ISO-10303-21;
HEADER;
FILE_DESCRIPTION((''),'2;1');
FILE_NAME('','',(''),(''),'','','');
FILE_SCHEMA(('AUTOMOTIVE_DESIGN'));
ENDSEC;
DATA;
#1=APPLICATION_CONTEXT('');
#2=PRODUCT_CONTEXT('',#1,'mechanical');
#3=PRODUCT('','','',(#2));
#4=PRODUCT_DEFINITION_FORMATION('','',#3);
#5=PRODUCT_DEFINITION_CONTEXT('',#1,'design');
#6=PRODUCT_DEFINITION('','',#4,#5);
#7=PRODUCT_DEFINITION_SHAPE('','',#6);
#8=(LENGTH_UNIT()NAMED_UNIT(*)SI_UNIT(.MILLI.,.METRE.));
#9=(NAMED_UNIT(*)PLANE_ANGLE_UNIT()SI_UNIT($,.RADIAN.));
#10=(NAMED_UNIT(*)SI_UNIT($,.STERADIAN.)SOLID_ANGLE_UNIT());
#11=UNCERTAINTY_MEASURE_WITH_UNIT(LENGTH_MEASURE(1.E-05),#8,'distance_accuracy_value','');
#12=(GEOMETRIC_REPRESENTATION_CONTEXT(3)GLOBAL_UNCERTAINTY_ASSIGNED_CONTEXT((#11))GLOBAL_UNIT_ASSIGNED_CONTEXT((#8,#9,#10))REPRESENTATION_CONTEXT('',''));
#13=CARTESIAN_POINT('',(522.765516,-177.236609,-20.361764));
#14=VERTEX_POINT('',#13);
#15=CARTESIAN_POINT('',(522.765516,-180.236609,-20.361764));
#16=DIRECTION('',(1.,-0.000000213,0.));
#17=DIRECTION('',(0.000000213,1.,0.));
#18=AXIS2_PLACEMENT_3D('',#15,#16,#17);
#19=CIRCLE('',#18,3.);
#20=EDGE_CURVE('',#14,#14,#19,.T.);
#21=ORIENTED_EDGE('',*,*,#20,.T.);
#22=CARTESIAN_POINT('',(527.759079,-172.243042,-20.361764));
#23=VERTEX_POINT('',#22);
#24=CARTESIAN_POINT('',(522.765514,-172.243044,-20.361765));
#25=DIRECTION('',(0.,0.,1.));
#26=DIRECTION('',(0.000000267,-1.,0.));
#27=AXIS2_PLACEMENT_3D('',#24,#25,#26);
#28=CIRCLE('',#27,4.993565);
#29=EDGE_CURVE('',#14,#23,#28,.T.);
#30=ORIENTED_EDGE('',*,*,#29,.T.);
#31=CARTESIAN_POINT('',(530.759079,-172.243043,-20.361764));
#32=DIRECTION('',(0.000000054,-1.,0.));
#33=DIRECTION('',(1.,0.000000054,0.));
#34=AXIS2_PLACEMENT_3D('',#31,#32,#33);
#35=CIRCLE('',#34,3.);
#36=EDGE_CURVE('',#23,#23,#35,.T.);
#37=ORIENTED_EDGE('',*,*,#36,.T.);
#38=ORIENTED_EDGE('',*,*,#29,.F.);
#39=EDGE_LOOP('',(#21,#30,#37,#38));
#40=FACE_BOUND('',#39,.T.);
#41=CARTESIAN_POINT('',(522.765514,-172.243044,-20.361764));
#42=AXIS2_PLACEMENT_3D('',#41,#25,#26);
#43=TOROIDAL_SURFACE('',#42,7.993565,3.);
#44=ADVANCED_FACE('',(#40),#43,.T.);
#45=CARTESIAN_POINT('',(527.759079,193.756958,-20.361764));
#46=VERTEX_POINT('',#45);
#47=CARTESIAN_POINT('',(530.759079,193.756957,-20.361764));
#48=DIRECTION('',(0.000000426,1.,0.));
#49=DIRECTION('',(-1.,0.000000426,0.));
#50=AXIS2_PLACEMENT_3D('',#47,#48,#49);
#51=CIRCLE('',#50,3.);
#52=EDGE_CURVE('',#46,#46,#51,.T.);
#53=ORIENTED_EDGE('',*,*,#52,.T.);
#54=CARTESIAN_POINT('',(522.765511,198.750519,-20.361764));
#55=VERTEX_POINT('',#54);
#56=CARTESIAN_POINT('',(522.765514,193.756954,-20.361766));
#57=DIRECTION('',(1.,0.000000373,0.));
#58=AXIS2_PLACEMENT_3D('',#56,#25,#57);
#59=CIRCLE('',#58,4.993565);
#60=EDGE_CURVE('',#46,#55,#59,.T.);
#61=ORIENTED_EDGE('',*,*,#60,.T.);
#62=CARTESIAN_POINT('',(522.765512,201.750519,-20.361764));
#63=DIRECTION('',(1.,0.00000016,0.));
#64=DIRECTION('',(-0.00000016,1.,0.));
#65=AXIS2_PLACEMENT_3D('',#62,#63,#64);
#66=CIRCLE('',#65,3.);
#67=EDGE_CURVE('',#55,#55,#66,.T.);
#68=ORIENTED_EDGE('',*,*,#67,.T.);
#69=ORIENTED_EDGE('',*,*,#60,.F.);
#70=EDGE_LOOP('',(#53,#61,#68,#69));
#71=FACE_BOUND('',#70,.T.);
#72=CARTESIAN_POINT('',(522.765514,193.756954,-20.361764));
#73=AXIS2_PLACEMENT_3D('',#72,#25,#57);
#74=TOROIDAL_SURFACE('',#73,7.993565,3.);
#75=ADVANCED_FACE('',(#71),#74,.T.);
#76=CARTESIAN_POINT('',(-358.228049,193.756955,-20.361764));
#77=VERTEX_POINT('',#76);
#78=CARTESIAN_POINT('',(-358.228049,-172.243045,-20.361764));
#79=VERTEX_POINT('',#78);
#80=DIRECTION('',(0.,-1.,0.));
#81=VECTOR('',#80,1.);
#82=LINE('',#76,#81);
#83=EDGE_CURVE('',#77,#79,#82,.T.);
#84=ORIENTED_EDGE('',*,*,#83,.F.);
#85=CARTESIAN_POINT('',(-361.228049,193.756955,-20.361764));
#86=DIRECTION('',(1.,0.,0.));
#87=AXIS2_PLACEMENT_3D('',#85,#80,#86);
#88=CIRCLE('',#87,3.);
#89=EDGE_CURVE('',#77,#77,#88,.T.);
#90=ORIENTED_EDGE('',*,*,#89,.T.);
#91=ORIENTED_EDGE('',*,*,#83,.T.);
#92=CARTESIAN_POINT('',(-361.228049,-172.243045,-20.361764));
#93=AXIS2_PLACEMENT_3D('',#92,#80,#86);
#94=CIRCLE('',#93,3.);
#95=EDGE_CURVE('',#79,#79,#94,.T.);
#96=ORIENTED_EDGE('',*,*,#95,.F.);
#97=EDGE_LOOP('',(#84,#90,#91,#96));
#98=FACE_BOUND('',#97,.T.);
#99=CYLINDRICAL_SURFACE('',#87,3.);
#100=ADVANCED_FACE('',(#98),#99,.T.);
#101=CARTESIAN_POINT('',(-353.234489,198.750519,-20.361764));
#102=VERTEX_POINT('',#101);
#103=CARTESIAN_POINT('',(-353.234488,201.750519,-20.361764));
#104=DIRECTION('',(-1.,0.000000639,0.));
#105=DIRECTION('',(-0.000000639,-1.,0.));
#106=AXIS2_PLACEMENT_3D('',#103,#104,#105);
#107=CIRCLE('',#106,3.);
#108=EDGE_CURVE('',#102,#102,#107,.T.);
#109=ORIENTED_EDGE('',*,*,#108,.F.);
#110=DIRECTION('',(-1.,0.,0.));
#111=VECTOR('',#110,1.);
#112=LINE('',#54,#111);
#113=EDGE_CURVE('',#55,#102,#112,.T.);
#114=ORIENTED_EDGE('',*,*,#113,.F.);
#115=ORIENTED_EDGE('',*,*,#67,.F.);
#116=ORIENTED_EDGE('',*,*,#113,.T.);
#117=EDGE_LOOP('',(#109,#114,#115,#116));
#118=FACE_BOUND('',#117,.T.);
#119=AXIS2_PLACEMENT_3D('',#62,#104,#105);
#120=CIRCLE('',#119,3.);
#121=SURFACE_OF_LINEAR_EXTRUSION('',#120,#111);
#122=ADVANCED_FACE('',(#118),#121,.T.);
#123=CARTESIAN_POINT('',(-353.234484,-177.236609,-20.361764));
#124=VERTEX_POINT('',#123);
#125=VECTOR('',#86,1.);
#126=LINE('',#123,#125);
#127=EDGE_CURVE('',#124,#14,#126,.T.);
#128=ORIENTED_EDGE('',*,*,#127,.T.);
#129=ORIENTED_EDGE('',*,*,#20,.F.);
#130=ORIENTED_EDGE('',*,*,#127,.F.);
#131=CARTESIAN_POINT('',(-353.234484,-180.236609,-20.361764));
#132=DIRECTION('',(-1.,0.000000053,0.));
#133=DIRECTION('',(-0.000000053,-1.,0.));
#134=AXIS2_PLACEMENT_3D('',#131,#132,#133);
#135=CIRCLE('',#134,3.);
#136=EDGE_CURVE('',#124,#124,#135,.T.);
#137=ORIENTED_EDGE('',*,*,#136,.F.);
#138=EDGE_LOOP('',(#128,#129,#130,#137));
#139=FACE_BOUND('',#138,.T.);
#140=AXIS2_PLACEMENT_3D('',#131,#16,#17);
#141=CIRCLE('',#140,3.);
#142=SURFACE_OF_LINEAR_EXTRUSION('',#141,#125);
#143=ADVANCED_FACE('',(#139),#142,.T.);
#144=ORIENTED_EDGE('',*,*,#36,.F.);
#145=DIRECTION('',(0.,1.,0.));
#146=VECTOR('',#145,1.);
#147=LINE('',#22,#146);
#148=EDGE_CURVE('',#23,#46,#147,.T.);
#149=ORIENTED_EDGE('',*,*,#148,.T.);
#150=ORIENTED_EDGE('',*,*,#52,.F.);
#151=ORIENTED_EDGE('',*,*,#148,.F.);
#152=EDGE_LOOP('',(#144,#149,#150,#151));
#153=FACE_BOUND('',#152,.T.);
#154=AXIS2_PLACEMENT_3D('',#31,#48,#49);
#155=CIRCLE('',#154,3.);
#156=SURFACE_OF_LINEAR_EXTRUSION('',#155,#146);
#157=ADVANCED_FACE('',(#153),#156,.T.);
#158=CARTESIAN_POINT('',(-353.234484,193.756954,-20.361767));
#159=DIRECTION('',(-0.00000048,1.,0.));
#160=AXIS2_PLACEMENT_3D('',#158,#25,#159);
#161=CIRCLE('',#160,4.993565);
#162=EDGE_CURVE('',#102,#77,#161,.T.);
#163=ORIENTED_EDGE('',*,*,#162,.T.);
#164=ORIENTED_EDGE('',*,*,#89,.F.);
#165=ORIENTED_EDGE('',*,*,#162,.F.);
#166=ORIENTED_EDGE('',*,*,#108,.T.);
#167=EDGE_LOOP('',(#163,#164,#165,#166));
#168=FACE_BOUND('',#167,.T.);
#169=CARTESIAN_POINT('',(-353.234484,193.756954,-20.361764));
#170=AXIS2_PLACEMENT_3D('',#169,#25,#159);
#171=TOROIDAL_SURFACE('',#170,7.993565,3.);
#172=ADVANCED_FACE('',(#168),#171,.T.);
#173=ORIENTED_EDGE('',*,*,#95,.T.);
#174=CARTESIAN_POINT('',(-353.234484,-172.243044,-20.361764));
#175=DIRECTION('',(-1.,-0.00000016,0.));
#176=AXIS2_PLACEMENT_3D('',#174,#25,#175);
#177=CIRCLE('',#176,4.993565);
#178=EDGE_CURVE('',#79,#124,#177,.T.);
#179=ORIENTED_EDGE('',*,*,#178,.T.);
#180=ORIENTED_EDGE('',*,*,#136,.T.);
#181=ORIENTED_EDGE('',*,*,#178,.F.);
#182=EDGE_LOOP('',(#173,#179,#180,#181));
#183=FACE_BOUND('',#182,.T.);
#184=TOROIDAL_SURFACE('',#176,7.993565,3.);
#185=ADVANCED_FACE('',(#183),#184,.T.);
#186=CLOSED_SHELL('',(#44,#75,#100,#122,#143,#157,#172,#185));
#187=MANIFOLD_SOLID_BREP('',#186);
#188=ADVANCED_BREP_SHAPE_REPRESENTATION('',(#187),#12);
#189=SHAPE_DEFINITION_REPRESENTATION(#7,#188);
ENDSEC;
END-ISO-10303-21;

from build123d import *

# Parameters (mm, degrees)
F1_R = 3


with BuildPart() as f2:
    # F2: sweep along a path in F0
    with BuildLine(Plane.XY) as f2_path:
        Line((-365.234485, 193.756955), (-365.234485, -172.243045))
        ThreePointArc((-365.234485, -172.243045), (-361.719766, -180.728326), (-353.234485, -184.243045))
        Line((-353.234485, -184.243045), (522.765515, -184.243045))
        ThreePointArc((522.765515, -184.243045), (531.250796, -180.728326), (534.765515, -172.243045))
        Line((534.765515, -172.243045), (534.765515, 193.756955))
        ThreePointArc((534.765515, 193.756955), (531.250796, 202.242236), (522.765515, 205.756955))
        Line((522.765515, 205.756955), (-353.234485, 205.756955))
        ThreePointArc((-353.234485, 205.756955), (-361.719766, 202.242236), (-365.234485, 193.756955))
    # F1 (on Front) → F2 (sweep)
    with BuildSketch(Plane.XZ):
        with Locations((-361.228049, -20.361764)):
            Circle(F1_R)
    sweep(path=f2_path.line)


solid = f2.part
